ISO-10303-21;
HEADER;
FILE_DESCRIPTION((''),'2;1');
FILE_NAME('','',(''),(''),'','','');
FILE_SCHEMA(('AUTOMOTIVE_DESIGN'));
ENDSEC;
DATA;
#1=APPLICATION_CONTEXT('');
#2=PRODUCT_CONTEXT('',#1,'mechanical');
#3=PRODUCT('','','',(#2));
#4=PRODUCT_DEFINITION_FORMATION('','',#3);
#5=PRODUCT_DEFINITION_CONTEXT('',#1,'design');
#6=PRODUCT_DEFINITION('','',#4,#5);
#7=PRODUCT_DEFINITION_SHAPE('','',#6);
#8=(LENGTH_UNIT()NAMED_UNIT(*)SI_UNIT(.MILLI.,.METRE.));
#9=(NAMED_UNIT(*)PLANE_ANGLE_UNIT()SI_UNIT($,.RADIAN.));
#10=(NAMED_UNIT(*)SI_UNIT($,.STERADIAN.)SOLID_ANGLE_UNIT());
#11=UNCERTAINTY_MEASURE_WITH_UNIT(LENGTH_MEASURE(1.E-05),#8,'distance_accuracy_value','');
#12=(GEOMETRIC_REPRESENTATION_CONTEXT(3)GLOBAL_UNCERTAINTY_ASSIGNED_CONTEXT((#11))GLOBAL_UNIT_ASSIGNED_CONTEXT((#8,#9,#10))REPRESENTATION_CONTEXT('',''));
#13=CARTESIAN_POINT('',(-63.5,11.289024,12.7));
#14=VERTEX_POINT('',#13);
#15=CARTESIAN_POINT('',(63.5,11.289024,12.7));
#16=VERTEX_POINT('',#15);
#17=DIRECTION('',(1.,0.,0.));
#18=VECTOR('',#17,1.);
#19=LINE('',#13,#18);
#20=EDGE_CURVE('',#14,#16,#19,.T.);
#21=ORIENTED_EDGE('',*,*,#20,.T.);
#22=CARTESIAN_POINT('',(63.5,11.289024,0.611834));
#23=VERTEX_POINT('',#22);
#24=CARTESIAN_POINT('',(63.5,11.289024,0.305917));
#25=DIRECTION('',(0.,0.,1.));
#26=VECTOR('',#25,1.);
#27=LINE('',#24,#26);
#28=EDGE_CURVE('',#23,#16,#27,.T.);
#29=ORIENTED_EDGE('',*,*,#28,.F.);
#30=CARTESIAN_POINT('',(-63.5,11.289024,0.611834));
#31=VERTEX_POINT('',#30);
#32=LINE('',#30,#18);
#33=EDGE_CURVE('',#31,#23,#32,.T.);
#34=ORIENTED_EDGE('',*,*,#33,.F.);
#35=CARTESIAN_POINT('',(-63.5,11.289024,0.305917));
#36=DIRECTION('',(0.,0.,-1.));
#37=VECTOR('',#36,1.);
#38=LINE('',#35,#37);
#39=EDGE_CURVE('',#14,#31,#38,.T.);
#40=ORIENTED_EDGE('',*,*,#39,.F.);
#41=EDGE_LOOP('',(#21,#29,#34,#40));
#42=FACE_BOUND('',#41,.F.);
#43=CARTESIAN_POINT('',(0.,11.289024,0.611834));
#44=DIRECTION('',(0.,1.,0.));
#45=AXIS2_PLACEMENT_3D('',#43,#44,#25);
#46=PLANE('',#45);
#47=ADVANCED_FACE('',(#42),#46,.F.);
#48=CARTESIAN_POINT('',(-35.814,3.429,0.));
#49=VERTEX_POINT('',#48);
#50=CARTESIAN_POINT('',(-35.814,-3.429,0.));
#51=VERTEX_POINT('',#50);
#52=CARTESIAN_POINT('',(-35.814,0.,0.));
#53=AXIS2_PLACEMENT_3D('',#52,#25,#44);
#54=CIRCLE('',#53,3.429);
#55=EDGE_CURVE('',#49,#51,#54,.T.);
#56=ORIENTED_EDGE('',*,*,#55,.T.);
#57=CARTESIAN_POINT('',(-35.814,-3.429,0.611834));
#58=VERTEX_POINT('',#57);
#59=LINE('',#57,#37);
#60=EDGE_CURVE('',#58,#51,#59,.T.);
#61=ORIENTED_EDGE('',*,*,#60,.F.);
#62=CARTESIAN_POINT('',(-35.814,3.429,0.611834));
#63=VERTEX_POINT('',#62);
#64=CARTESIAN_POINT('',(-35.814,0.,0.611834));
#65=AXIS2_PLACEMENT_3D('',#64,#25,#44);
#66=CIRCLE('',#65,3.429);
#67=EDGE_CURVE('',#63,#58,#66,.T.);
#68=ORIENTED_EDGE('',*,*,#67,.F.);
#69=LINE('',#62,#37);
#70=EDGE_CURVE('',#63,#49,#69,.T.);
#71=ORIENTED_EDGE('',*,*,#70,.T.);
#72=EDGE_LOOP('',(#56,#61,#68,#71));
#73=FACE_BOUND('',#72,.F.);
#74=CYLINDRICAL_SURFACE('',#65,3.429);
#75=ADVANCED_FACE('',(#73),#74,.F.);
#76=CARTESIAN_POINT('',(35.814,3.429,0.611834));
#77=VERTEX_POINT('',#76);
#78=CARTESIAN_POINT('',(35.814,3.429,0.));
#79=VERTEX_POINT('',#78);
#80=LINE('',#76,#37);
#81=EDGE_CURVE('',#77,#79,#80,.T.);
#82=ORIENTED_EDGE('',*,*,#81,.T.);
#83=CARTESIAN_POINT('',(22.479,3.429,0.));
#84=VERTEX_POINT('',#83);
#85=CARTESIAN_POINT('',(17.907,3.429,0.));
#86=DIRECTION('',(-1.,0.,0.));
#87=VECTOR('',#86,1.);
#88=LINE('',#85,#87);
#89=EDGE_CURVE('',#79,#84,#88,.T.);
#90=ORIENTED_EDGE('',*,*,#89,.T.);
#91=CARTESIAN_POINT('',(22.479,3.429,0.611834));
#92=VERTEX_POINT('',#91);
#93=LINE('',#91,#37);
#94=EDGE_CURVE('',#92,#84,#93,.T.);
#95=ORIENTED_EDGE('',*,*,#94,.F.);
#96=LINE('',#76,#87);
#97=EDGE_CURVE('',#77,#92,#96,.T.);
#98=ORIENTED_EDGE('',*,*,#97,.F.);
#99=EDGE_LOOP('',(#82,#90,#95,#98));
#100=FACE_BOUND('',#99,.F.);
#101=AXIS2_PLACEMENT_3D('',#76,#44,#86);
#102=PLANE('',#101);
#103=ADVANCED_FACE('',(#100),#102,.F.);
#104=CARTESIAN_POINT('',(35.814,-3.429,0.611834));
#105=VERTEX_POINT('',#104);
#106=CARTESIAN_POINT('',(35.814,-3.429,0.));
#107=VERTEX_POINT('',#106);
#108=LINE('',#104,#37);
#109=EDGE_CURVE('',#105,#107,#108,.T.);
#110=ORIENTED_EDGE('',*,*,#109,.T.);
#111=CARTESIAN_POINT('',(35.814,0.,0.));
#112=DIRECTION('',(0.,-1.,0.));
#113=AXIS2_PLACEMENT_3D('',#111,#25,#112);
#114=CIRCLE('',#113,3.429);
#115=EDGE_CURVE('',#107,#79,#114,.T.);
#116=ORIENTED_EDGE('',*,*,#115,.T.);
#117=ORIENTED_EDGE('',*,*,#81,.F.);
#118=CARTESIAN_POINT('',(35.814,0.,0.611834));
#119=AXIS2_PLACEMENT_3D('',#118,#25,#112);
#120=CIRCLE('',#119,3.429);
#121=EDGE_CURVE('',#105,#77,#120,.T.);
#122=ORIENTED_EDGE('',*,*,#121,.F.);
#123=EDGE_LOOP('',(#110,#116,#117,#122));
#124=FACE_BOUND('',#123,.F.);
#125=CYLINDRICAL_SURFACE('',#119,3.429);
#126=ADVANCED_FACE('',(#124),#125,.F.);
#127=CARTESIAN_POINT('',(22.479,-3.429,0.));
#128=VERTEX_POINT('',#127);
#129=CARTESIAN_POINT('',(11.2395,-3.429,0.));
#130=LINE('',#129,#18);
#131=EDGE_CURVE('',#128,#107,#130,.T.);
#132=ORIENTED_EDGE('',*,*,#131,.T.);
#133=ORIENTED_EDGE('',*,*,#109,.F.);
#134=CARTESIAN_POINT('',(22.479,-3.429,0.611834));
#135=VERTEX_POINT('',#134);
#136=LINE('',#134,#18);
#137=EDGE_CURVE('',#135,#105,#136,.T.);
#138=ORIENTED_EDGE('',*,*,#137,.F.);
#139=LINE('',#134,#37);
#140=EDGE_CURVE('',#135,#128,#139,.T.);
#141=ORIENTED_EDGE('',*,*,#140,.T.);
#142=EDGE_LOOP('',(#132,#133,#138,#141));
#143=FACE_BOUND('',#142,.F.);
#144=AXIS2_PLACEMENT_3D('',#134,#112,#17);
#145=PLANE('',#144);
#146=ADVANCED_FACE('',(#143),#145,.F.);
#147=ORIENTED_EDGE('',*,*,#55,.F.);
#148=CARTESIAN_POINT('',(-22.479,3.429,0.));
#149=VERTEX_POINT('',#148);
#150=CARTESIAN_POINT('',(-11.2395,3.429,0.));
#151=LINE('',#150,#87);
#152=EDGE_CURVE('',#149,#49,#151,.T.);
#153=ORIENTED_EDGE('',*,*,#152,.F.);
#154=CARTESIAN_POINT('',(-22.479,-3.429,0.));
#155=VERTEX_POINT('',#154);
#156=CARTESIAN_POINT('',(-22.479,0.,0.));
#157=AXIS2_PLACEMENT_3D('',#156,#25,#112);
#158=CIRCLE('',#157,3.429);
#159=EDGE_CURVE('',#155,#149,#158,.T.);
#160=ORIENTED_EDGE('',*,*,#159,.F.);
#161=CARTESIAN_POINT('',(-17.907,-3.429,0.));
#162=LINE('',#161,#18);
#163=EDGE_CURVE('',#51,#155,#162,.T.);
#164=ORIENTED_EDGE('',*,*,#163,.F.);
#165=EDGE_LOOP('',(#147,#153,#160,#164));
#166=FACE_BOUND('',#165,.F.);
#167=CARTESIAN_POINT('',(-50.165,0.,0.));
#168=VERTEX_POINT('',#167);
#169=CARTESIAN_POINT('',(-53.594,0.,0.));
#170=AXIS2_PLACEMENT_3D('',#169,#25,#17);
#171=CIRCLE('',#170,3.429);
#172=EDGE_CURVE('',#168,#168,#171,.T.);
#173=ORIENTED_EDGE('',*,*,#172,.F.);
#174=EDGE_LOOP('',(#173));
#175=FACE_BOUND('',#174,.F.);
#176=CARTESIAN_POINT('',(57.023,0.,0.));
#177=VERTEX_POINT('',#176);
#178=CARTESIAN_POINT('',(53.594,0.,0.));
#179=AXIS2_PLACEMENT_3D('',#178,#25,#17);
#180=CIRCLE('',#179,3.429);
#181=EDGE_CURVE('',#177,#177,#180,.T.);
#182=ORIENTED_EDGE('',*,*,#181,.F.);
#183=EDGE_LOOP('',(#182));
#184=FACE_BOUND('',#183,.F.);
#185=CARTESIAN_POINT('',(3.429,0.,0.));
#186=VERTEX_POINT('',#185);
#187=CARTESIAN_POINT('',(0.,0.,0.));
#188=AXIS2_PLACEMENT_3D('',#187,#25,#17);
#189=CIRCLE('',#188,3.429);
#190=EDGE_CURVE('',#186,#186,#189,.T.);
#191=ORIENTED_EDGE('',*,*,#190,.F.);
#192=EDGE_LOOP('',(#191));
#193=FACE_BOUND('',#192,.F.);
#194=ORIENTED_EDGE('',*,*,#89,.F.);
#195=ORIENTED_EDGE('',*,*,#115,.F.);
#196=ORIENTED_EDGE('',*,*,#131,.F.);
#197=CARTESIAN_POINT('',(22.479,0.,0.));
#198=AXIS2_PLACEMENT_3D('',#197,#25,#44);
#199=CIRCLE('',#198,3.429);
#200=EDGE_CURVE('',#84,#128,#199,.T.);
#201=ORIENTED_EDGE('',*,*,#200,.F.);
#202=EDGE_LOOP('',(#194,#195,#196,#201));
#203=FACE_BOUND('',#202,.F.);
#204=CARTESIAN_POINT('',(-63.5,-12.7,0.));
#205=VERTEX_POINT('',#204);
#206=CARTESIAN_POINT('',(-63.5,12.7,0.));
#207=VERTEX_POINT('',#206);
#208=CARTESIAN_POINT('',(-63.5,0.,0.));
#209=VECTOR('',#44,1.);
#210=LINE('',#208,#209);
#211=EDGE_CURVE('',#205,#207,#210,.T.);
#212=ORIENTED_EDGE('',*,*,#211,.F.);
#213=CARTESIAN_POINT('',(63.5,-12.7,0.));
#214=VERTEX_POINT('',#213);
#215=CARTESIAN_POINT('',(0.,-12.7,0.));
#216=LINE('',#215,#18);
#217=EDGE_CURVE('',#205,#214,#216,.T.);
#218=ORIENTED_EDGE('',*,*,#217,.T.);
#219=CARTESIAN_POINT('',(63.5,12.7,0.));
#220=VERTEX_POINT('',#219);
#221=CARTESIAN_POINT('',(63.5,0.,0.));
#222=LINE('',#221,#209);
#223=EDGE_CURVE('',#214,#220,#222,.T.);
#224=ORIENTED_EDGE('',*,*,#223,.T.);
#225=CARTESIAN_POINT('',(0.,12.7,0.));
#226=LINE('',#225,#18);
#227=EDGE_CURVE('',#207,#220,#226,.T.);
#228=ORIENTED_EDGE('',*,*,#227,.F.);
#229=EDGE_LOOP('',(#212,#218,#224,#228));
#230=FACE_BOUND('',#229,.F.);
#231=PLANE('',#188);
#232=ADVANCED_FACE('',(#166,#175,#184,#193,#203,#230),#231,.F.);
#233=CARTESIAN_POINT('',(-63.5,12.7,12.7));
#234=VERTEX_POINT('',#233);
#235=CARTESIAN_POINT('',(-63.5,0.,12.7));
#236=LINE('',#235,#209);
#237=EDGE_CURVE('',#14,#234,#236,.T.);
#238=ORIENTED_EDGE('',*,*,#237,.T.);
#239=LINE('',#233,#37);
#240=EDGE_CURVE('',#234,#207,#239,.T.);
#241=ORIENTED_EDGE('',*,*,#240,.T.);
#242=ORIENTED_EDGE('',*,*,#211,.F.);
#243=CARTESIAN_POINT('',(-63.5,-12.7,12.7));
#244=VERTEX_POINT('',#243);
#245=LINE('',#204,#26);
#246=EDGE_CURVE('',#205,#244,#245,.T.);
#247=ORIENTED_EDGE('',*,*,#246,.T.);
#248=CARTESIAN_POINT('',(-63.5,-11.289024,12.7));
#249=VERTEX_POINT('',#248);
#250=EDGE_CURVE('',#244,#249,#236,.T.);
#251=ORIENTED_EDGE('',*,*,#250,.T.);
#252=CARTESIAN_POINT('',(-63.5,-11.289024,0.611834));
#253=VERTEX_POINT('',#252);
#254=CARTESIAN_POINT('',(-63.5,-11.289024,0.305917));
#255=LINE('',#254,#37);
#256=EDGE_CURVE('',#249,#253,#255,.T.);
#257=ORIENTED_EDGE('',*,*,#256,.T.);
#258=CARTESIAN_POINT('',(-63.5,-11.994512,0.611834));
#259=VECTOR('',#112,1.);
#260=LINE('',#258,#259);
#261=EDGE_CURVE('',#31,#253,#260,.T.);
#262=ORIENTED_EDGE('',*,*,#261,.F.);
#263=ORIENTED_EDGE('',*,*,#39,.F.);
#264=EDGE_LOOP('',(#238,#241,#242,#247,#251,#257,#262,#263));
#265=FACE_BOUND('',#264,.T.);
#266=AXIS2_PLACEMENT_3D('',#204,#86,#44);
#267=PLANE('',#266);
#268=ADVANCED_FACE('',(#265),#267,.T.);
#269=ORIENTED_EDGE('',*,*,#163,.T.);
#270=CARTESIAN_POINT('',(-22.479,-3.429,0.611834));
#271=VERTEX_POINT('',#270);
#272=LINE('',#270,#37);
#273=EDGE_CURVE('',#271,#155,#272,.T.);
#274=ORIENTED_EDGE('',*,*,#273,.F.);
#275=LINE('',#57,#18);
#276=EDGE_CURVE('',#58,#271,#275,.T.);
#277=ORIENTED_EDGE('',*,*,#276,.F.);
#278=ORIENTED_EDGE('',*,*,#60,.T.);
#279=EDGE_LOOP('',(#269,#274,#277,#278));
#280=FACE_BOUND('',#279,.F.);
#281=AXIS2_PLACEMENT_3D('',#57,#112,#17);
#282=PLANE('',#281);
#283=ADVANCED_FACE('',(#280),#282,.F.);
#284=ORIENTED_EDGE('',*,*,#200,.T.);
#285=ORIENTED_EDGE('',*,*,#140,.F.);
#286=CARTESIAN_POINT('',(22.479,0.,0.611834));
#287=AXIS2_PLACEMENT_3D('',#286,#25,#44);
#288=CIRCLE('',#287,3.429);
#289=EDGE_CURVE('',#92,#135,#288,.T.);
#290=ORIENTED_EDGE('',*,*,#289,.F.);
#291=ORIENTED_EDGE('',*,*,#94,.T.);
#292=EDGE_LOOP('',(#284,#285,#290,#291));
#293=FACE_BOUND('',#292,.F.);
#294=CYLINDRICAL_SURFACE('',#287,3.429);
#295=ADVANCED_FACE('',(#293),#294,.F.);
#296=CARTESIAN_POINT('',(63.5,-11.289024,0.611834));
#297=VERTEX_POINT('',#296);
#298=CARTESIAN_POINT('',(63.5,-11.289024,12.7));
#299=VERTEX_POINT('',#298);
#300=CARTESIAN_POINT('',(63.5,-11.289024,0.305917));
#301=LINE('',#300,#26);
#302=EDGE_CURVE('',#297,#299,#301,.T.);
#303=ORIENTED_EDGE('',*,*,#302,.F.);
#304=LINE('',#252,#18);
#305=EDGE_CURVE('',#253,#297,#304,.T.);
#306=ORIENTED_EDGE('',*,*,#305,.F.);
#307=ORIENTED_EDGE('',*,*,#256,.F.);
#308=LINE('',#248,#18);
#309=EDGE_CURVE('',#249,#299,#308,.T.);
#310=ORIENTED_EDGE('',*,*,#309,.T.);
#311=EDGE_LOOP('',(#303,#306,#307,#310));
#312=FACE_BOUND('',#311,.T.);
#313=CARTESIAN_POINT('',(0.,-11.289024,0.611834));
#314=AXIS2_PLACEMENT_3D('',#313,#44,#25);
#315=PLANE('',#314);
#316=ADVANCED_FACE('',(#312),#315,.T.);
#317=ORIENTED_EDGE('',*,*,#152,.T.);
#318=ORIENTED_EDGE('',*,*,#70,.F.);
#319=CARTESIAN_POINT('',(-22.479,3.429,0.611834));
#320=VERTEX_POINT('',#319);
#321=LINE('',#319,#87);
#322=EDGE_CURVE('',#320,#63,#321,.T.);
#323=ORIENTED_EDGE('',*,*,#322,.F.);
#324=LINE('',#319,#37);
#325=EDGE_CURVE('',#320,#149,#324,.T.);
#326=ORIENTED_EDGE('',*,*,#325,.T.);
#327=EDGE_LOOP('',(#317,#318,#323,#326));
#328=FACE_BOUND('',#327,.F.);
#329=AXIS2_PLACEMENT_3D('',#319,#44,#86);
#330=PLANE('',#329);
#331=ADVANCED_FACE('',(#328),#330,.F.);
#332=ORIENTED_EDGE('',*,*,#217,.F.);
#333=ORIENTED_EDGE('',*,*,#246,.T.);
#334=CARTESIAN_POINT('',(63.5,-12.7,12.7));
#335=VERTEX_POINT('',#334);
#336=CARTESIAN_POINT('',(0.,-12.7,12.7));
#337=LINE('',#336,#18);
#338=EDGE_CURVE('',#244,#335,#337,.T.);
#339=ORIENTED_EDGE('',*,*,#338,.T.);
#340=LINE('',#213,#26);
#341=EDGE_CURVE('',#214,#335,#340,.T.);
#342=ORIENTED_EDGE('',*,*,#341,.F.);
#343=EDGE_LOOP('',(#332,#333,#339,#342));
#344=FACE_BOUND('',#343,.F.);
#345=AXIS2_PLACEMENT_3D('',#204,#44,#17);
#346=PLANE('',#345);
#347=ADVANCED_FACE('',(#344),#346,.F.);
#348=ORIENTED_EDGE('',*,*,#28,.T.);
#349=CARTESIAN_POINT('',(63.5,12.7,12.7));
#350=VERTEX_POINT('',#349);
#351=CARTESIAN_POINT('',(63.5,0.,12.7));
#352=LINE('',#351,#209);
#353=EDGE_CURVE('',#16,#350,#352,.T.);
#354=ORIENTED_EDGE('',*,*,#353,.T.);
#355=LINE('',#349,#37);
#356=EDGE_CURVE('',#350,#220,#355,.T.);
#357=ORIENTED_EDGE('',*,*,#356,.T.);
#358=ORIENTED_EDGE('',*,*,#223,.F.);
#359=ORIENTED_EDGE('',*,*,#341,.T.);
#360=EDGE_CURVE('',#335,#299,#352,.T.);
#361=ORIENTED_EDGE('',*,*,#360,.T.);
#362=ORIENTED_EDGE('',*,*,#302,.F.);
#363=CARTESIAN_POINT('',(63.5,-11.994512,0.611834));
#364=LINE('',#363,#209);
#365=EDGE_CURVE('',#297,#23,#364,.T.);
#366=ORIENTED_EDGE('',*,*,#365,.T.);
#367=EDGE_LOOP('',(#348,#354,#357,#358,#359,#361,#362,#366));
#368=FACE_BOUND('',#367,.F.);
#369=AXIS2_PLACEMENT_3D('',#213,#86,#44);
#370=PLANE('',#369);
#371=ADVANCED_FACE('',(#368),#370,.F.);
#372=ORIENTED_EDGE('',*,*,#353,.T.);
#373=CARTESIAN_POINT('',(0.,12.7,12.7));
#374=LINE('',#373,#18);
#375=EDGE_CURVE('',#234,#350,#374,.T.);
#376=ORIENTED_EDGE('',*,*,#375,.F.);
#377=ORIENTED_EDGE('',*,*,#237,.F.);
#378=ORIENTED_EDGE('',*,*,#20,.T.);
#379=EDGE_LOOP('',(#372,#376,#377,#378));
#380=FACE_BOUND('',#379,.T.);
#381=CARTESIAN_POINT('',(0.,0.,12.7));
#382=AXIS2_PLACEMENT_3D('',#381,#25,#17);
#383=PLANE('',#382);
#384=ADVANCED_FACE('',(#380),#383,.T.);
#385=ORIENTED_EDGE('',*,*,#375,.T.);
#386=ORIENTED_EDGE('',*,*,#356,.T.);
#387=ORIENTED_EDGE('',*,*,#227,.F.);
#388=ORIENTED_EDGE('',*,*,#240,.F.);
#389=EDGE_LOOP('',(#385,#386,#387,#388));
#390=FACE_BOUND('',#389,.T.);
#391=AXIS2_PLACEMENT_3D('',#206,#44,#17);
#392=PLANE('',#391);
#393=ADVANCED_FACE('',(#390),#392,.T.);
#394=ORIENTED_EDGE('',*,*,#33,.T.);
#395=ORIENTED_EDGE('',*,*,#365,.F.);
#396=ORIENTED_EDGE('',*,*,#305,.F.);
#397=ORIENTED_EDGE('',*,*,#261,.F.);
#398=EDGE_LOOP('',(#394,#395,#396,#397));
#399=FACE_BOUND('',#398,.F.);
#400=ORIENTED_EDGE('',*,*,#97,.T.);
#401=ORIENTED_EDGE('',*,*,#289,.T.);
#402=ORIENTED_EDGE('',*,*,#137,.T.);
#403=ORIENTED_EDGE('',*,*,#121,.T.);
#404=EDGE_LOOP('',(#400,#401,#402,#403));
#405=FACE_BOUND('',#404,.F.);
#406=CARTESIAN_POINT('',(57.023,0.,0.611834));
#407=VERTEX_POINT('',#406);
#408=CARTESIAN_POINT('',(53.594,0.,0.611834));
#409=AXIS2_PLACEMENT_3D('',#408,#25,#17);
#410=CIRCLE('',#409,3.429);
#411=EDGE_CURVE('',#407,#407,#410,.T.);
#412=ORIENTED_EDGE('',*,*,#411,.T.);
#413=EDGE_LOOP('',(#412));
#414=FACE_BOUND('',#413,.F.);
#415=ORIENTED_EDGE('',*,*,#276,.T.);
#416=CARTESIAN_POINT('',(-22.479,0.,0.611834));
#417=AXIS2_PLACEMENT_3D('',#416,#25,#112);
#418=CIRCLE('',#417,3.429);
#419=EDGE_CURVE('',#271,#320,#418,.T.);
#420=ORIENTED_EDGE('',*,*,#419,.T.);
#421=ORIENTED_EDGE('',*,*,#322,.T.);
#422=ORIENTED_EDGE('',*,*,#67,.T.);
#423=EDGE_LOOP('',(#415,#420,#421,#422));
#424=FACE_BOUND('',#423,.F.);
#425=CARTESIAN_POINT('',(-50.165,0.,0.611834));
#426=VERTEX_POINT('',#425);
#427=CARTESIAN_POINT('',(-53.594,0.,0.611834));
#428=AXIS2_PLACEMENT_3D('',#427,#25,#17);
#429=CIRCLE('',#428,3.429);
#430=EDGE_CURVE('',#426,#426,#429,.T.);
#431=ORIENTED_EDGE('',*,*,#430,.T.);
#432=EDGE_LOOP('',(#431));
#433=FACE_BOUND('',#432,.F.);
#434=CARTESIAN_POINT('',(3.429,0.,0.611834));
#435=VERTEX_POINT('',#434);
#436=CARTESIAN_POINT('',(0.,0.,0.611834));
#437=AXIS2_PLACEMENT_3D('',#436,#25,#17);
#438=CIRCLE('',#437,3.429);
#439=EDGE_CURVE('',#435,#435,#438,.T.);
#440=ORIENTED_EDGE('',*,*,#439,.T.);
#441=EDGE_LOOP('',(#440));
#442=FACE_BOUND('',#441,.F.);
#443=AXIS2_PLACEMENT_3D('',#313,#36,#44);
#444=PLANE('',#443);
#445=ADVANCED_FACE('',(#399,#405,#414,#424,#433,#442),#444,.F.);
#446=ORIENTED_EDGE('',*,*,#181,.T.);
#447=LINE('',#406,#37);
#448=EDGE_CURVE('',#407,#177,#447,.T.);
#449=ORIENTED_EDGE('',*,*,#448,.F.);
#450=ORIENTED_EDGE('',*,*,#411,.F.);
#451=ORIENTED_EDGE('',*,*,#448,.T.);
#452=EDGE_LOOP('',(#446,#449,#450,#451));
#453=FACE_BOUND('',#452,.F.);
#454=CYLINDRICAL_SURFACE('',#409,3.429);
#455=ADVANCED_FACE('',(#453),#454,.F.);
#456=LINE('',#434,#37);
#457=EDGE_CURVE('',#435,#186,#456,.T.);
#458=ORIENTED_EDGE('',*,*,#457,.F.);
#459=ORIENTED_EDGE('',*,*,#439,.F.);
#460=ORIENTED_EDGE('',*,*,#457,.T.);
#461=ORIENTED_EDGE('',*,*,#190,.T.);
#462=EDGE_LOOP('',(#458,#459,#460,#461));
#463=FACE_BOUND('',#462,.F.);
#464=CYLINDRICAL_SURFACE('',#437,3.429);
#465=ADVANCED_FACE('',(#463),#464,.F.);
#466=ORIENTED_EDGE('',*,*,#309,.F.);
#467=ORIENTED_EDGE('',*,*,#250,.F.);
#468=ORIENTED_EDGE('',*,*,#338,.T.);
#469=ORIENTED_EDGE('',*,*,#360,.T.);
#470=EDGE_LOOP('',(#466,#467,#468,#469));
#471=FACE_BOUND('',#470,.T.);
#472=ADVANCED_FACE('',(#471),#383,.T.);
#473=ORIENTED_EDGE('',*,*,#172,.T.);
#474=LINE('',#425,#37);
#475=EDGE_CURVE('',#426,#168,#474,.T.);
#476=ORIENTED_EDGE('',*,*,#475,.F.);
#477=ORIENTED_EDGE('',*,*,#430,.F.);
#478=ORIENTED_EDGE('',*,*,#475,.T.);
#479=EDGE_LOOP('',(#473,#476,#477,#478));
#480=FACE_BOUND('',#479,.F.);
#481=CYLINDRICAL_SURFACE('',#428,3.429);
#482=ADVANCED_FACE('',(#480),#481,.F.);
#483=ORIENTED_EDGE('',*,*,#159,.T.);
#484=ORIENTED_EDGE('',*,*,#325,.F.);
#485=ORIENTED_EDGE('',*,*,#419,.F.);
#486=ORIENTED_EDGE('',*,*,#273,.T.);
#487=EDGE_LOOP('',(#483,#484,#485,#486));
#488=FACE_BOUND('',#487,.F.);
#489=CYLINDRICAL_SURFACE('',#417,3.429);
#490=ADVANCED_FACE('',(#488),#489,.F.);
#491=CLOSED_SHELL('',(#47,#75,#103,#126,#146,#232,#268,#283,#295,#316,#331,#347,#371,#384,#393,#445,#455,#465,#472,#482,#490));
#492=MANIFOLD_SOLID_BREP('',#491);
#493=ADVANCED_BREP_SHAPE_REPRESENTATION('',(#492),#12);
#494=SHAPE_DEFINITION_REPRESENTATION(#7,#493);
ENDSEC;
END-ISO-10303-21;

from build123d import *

# Parameters (mm, degrees)
F0_W          = 127
F0_H          = 25.4
F1_DEPTH      = 0.762
F2_DEPTH      = 12.7
F3_W          = 22.5780475885
F3_H          = 24.1802637465
F4_DEPTH      = 101.6
F4_DEPTH_BACK = 101.6
F5_R          = 3.429
F6_DEPTH      = 25.4


with BuildPart() as f1:
    # F0 (on Top) → F1 (new body)
    with BuildSketch(Plane.XY):
        Rectangle(F0_W, F0_H)
    extrude(amount=F1_DEPTH)

    # F0 (on Top) → F2 (join)
    with BuildSketch(Plane.XY):
        Rectangle(F0_W, F0_H)
    extrude(amount=F2_DEPTH)

    # F3 (on Right) → F4 (cut, two sides)
    with BuildSketch(Plane.YZ) as f4_sk:
        with Locations((0, 12.7019658685)):
            Rectangle(F3_W, F3_H)
    extrude(amount=-F4_DEPTH, mode=Mode.SUBTRACT)
    extrude(f4_sk.sketch, amount=F4_DEPTH_BACK, mode=Mode.SUBTRACT)

    # F5 (on face) → F6 (cut)
    with BuildSketch(Plane.XY.offset(0.6118339952)):
        Circle(F5_R)
        with Locations((-53.594, 0)):
            Circle(F5_R)
        with BuildLine():
            Line((-22.479, 3.429), (-35.814, 3.429))
            ThreePointArc((-35.814, 3.429), (-39.243, 0), (-35.814, -3.429))
            Line((-35.814, -3.429), (-22.479, -3.429))
            ThreePointArc((-22.479, -3.429), (-19.05, 0), (-22.479, 3.429))
        make_face()
        with BuildLine():
            ThreePointArc((35.814, -3.429), (39.243, 0), (35.814, 3.429))
            Line((35.814, 3.429), (22.479, 3.429))
            ThreePointArc((22.479, 3.429), (19.05, 0), (22.479, -3.429))
            Line((22.479, -3.429), (35.814, -3.429))
        make_face()
        with Locations((53.594, 0)):
            Circle(F5_R)
    extrude(amount=-F6_DEPTH, mode=Mode.SUBTRACT)


solid = f1.part
